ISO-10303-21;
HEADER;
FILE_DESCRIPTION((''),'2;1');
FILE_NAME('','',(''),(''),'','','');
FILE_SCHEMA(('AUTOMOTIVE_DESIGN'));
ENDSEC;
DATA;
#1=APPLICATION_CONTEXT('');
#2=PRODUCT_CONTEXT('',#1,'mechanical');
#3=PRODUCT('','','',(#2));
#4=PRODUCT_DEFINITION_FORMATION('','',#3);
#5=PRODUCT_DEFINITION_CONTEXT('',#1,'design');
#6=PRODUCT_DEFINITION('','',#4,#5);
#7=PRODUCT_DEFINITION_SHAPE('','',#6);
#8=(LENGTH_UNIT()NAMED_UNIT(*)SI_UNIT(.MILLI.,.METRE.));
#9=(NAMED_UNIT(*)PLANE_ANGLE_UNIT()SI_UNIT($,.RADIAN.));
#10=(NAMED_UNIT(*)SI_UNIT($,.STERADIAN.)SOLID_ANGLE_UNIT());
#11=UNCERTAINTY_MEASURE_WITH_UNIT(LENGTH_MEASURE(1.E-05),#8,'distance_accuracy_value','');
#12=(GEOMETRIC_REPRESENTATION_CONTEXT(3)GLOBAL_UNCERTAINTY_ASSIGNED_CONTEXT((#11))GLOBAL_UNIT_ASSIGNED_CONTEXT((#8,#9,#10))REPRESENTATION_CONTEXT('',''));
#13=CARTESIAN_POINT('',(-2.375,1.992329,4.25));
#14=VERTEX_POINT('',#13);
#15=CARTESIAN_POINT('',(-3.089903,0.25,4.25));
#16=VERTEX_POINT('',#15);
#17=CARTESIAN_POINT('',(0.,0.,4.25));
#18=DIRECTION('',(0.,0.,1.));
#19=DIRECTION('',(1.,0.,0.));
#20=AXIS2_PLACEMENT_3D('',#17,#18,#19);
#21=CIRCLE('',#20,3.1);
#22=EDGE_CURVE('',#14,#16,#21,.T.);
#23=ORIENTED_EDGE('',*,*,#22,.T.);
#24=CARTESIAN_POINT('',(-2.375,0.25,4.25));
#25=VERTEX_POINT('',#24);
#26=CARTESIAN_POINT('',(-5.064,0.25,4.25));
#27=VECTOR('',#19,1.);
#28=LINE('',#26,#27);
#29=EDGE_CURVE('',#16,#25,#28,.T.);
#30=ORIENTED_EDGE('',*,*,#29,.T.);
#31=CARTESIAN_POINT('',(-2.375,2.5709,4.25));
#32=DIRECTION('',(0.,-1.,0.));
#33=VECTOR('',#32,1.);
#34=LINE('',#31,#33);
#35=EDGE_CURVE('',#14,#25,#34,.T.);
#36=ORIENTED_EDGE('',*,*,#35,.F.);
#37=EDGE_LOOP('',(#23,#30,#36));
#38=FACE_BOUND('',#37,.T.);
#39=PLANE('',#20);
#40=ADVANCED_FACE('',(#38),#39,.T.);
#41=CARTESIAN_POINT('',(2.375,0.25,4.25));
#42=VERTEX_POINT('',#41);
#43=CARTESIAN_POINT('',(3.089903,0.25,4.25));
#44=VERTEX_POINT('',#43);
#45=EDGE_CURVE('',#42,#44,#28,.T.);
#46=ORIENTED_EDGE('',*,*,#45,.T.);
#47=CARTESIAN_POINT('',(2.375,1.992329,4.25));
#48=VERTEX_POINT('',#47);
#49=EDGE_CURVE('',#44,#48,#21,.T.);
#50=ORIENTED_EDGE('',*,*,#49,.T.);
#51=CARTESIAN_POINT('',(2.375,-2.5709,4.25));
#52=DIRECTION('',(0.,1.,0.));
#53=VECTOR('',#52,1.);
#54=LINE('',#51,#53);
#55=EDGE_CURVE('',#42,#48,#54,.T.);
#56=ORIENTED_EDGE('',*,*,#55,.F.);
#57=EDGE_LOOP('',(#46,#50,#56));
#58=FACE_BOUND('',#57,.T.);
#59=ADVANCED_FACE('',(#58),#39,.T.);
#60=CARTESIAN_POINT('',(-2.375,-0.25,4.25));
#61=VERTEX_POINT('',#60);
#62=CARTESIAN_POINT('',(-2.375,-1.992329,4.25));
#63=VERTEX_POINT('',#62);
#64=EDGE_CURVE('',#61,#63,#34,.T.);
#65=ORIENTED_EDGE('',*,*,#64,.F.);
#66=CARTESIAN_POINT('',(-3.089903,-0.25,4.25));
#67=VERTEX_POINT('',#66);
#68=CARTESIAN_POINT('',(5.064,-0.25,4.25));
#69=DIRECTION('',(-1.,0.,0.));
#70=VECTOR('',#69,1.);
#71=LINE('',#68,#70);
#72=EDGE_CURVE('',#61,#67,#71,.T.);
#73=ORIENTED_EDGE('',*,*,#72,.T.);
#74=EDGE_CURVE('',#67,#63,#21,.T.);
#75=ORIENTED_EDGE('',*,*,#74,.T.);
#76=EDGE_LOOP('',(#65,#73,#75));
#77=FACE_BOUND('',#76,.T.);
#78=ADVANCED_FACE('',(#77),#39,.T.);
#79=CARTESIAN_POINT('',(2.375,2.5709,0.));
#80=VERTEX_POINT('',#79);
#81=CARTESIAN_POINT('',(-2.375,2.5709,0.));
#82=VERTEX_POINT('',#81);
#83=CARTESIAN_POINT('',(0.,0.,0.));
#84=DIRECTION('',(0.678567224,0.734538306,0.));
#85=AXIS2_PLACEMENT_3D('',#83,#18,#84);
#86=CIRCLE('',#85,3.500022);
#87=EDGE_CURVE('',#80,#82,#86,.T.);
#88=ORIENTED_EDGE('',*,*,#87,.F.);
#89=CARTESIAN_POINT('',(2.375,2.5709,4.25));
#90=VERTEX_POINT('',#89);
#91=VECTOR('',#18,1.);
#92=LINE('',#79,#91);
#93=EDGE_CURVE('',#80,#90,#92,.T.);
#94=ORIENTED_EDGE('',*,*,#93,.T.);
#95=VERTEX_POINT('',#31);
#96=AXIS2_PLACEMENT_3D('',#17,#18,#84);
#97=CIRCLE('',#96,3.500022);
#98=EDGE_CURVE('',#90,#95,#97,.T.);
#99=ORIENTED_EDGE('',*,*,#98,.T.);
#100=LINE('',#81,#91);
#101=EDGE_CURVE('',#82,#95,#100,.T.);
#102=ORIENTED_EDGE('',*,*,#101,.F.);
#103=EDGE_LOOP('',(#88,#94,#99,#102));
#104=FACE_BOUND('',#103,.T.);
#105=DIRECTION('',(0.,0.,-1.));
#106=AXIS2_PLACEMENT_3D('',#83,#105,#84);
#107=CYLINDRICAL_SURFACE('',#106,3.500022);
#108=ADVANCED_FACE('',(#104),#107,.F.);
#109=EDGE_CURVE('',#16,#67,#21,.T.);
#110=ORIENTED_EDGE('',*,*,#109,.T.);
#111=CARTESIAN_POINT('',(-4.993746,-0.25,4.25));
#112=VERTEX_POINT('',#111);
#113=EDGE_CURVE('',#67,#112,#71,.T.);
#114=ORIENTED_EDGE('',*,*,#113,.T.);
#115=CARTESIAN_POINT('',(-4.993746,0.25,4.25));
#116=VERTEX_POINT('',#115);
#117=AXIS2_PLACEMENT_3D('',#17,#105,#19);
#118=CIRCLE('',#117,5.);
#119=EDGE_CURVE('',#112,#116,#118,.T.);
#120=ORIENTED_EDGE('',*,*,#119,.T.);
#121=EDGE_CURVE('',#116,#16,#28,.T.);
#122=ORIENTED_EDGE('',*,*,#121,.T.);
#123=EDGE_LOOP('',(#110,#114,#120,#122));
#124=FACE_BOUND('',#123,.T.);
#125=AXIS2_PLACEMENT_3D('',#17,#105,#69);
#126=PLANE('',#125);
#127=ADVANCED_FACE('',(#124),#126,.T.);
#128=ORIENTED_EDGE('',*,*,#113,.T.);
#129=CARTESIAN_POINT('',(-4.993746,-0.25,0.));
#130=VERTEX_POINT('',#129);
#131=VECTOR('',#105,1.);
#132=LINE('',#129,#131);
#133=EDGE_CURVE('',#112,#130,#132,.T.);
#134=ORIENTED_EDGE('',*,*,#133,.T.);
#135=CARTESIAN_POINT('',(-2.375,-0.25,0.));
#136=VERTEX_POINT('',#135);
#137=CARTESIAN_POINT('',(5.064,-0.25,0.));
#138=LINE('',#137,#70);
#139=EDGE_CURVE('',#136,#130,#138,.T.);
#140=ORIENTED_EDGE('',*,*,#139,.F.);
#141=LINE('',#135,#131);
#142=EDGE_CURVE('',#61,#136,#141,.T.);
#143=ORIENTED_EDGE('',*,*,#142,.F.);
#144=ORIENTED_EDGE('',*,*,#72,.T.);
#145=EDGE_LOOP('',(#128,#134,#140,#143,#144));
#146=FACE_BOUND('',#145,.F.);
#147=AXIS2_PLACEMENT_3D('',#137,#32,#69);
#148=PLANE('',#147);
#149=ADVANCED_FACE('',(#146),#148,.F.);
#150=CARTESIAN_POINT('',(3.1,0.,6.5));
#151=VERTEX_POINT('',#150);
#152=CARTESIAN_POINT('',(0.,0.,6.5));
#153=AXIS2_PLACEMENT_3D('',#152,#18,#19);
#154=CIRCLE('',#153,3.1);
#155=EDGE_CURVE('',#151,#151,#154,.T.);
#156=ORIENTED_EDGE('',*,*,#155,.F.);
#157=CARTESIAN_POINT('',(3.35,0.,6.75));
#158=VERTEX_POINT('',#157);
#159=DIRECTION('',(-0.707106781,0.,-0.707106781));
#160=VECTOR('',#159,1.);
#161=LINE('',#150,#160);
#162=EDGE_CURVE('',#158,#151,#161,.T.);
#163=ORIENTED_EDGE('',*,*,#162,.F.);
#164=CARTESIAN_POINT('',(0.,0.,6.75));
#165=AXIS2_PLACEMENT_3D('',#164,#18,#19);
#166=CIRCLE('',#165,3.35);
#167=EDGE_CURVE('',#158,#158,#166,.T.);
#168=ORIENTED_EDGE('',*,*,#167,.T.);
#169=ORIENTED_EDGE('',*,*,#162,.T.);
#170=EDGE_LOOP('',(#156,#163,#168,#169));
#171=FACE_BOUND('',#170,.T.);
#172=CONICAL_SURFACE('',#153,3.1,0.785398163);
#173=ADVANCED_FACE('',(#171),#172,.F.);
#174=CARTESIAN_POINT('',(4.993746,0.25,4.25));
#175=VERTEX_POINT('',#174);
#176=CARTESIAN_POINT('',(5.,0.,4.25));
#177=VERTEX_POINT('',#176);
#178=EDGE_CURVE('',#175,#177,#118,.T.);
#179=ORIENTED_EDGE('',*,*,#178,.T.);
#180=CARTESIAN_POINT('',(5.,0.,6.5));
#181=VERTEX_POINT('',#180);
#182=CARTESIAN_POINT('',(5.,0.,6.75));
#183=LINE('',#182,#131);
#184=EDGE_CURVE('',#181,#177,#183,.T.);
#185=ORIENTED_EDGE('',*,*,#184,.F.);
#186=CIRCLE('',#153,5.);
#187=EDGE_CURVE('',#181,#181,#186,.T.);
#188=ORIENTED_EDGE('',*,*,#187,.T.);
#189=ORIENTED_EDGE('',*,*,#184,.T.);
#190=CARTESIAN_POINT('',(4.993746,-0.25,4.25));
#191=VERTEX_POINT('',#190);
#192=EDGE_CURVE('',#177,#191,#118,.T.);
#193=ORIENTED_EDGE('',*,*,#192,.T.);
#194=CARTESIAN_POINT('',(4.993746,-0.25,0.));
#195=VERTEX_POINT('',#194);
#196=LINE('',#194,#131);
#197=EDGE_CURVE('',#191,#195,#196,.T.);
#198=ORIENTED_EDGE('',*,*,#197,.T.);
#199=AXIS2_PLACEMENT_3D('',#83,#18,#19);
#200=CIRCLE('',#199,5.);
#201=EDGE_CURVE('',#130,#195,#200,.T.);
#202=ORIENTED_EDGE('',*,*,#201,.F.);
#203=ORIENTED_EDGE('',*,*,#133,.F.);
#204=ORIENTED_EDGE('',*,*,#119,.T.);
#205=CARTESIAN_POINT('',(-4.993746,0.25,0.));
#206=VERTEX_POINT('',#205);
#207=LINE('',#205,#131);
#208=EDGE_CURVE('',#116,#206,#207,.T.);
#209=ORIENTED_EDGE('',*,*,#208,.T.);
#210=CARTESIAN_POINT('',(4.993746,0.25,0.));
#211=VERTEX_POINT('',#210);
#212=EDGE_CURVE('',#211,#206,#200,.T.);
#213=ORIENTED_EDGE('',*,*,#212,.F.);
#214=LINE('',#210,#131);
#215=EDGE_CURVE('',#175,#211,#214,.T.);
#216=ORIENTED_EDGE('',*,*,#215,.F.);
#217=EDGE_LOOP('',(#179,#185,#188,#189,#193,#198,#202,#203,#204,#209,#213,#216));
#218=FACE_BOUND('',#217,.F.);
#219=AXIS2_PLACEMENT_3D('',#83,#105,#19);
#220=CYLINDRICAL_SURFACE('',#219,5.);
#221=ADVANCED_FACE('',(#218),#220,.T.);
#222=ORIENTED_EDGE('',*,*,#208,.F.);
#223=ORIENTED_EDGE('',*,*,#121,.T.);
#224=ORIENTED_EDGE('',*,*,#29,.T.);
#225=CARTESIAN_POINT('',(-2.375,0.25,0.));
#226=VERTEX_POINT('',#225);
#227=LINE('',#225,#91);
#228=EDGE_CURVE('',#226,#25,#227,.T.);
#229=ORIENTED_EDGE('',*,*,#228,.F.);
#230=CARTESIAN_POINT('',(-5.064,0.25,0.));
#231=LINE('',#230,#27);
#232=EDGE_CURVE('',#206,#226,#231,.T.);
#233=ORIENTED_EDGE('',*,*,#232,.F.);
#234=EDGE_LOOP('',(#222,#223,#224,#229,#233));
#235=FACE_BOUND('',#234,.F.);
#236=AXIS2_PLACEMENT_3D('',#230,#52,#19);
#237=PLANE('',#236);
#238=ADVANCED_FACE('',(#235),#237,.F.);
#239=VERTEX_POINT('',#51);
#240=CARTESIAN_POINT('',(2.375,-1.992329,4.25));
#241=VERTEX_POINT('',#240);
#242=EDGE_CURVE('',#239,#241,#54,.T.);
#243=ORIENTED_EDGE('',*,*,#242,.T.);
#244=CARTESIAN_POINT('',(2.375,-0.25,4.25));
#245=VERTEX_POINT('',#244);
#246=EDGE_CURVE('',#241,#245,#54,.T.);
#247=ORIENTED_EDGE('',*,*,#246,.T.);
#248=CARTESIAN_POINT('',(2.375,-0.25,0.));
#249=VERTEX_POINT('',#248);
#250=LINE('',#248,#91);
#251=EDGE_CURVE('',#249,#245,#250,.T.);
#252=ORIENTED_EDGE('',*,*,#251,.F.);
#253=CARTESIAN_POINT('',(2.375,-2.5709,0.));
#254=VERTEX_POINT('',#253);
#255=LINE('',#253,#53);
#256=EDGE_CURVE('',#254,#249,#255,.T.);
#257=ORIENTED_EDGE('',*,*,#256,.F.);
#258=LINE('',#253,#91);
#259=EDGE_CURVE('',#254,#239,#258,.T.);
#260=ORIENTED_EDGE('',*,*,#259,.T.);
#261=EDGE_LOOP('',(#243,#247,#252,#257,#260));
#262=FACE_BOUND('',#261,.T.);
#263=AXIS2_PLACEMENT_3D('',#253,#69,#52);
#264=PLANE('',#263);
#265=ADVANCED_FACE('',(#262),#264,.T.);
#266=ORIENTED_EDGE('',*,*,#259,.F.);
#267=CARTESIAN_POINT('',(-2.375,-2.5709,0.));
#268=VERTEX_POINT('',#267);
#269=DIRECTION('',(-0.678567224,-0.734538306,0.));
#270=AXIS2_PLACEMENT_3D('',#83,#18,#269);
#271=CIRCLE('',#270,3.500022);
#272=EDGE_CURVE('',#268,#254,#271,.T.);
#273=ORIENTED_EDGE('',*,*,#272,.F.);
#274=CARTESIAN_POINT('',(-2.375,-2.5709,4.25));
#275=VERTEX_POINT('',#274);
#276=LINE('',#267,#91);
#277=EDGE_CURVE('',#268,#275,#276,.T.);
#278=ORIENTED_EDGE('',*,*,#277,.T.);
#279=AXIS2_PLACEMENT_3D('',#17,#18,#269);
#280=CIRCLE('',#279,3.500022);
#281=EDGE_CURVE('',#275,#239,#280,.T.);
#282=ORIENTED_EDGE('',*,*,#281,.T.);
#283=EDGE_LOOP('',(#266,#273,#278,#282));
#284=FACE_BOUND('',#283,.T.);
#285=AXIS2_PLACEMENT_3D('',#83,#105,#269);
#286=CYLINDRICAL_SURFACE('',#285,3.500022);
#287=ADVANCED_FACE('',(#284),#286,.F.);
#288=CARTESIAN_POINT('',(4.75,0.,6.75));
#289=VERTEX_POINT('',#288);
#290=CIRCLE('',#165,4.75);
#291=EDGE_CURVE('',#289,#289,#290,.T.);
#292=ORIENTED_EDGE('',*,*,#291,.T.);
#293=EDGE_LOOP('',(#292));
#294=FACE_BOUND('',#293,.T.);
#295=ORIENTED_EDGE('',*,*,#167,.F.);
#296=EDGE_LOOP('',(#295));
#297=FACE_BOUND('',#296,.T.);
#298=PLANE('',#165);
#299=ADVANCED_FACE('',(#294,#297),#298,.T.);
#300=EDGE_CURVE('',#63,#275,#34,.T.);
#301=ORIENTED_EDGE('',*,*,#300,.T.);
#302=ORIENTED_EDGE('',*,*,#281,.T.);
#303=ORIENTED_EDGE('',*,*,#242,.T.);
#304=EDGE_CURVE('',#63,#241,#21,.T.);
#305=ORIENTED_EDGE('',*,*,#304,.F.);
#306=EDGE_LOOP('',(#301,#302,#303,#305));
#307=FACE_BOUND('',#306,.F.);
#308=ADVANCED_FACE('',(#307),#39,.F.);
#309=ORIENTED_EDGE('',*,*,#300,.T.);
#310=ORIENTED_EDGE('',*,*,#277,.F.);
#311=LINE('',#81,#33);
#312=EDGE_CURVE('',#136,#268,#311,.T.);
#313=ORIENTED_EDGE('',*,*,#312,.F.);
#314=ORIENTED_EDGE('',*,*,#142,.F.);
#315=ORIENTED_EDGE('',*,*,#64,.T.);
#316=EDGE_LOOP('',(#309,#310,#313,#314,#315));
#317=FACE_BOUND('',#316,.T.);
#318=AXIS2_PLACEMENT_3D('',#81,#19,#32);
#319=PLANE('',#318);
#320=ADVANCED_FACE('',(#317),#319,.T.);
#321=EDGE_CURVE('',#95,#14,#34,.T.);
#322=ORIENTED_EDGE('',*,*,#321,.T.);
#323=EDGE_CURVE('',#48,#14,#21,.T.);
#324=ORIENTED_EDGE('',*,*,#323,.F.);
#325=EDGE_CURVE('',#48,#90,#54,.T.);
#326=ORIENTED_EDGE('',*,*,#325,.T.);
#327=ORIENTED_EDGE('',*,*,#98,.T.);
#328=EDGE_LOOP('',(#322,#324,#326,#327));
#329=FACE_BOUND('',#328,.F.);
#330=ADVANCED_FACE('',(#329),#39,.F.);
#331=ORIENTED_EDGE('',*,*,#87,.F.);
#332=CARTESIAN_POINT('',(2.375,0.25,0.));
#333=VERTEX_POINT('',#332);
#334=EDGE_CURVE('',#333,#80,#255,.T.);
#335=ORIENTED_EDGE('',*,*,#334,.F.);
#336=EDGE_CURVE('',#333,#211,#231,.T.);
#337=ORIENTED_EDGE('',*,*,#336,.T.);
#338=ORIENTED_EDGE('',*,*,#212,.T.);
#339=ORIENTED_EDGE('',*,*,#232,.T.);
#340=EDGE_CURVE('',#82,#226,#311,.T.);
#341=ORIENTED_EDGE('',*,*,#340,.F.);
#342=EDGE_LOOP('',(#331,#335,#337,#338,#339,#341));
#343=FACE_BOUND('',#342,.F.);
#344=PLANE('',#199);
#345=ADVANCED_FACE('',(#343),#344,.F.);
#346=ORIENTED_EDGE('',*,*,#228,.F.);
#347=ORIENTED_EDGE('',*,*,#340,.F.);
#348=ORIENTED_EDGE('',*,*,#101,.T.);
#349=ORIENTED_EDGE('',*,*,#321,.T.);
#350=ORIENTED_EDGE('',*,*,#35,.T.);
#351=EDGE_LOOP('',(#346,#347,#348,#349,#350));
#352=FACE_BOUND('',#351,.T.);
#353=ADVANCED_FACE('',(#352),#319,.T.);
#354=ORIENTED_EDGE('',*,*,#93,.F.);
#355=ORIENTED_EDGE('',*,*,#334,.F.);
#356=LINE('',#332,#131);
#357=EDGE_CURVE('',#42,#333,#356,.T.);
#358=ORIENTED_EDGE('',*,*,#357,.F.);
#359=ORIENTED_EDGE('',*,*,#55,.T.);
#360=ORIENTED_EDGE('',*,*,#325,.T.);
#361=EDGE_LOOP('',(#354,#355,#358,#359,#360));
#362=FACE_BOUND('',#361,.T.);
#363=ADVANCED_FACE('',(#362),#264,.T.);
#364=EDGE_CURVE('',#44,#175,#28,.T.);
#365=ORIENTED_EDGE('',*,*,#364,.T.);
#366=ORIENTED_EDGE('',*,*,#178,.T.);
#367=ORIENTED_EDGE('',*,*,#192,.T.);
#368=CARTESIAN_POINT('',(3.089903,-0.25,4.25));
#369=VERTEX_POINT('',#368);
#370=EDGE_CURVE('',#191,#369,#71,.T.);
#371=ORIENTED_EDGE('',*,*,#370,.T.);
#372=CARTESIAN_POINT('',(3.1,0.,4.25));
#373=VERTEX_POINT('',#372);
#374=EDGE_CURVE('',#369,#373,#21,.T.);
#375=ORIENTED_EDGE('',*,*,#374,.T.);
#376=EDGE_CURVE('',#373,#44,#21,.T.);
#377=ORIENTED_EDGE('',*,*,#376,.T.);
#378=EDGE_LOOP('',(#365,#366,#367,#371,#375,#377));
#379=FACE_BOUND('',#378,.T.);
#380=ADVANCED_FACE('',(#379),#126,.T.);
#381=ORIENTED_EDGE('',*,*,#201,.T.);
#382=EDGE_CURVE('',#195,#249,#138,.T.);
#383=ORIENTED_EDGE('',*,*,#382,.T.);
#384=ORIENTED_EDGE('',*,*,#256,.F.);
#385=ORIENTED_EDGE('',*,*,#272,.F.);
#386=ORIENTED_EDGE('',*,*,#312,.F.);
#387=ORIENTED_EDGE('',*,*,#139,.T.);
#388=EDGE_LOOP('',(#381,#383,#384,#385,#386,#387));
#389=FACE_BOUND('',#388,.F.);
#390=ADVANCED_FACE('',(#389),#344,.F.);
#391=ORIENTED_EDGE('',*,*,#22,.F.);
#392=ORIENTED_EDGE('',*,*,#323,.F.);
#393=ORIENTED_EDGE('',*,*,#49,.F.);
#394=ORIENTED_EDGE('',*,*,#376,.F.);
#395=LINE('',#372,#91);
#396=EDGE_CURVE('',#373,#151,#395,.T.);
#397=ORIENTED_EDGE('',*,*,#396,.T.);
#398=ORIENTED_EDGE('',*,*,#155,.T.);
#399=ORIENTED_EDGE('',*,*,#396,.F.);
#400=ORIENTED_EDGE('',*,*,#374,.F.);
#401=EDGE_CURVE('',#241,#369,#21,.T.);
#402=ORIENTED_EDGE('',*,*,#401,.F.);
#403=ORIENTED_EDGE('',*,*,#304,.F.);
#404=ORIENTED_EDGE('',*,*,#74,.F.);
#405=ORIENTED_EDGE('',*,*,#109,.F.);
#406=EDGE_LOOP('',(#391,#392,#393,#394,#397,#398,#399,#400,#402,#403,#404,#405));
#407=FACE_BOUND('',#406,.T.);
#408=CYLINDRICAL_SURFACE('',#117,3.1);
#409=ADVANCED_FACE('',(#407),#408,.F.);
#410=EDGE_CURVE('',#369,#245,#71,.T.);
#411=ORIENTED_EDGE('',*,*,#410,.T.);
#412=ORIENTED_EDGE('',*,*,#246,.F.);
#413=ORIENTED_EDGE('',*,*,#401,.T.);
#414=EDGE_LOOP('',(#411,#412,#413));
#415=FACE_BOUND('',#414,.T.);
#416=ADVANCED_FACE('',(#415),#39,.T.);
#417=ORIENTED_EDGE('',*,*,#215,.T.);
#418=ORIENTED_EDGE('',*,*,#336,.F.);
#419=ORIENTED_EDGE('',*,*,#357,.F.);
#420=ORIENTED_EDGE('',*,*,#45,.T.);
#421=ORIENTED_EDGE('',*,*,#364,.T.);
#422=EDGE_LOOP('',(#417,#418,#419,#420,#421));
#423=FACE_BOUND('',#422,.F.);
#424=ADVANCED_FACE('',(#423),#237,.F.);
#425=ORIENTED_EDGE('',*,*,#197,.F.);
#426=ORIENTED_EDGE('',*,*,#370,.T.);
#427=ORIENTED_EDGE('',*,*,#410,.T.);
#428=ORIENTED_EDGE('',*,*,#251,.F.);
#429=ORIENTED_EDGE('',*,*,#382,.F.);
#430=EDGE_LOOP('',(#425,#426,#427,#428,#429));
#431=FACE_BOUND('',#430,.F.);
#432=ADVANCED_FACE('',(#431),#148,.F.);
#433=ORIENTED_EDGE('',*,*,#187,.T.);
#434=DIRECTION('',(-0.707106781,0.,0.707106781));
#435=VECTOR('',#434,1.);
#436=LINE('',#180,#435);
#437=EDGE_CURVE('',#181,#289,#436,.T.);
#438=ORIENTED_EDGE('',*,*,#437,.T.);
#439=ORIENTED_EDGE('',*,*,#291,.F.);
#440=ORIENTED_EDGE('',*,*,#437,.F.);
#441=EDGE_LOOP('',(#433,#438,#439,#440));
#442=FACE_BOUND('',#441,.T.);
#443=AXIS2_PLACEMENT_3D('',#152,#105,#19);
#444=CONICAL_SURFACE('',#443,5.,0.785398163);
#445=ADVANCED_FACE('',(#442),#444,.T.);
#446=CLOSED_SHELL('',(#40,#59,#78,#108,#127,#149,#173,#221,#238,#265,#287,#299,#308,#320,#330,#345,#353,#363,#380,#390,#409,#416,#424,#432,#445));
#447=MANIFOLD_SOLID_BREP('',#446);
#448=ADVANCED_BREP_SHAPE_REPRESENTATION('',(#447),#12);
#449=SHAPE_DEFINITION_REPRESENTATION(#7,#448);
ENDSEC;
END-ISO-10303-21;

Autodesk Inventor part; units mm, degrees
ref_plane "YZ Plane" through (0, 0, 0) normal (1, 0, 0) x (0, 1, 0)
ref_plane "XZ Plane" through (0, 0, 0) normal (0, 1, 0) x (-1, 0, 0)
sketch "Sketch1" plane through (0, 0, 0) normal (0, 0, 1) x (1, 0, 0)
  line L0 (-2.375, 2.5709) -> (-2.375, -2.5709) projected
  arc A0 (-2.375, -2.5709) -> (2.375, -2.5709) centre (0, 0) ccw projected
  line L1 (2.375, -2.5709) -> (2.375, 2.5709) projected
  arc A1 (2.375, 2.5709) -> (-2.375, 2.5709) centre (0, 0) ccw projected
  circle A2 centre (0, 0) radius 0.875 projected
  circle A3 centre (0, 0) radius 5
  dimension "d0" = 10
ref_plane "Work Plane1" through (-2.375, -3.5, 4.25) normal (0, 0, 1) x (1, 0, 0)
extrude "Extrusion1" add sketch "Sketch1" along normal up to surface (4.25 mm away) contours A3
sketch "Sketch2" plane through (0, 0, 4.25) normal (0, 0, 1) x (1, 0, 0)
  circle A0 centre (0, 0) radius 3.1
  circle A1 centre (0, 0) radius 5 projected
  dimension "d3" = 6.2
extrude "Extrusion2" add sketch "Sketch2" along normal blind 2.5
sketch "Sketch3" plane through (0, 0, 0) normal (0, 0, -1) x (-1, 0, 0)
  line L0 (-5.064, 0) -> (5.064, 0) construction
  line L1 (-5.064, -0.25) -> (5.064, -0.25)
  line L2 (5.064, 0.25) -> (-5.064, 0.25)
  arc A0 (-5.064, 0.25) -> (-5.064, -0.25) centre (-5.064, 0) ccw
  arc A1 (5.064, -0.25) -> (5.064, 0.25) centre (5.064, 0) ccw
  point P0 (0, 0)
  dimension "d6" = 0.5
extrude "Extrusion3" cut sketch "Sketch3" against normal blind 4.25
chamfer "Chamfer1" distance 0.25 angle 45 2 edges at (-3.1, 0, 6.75) (-5, 0, 6.75)
properties part number "MagnetHolder"
